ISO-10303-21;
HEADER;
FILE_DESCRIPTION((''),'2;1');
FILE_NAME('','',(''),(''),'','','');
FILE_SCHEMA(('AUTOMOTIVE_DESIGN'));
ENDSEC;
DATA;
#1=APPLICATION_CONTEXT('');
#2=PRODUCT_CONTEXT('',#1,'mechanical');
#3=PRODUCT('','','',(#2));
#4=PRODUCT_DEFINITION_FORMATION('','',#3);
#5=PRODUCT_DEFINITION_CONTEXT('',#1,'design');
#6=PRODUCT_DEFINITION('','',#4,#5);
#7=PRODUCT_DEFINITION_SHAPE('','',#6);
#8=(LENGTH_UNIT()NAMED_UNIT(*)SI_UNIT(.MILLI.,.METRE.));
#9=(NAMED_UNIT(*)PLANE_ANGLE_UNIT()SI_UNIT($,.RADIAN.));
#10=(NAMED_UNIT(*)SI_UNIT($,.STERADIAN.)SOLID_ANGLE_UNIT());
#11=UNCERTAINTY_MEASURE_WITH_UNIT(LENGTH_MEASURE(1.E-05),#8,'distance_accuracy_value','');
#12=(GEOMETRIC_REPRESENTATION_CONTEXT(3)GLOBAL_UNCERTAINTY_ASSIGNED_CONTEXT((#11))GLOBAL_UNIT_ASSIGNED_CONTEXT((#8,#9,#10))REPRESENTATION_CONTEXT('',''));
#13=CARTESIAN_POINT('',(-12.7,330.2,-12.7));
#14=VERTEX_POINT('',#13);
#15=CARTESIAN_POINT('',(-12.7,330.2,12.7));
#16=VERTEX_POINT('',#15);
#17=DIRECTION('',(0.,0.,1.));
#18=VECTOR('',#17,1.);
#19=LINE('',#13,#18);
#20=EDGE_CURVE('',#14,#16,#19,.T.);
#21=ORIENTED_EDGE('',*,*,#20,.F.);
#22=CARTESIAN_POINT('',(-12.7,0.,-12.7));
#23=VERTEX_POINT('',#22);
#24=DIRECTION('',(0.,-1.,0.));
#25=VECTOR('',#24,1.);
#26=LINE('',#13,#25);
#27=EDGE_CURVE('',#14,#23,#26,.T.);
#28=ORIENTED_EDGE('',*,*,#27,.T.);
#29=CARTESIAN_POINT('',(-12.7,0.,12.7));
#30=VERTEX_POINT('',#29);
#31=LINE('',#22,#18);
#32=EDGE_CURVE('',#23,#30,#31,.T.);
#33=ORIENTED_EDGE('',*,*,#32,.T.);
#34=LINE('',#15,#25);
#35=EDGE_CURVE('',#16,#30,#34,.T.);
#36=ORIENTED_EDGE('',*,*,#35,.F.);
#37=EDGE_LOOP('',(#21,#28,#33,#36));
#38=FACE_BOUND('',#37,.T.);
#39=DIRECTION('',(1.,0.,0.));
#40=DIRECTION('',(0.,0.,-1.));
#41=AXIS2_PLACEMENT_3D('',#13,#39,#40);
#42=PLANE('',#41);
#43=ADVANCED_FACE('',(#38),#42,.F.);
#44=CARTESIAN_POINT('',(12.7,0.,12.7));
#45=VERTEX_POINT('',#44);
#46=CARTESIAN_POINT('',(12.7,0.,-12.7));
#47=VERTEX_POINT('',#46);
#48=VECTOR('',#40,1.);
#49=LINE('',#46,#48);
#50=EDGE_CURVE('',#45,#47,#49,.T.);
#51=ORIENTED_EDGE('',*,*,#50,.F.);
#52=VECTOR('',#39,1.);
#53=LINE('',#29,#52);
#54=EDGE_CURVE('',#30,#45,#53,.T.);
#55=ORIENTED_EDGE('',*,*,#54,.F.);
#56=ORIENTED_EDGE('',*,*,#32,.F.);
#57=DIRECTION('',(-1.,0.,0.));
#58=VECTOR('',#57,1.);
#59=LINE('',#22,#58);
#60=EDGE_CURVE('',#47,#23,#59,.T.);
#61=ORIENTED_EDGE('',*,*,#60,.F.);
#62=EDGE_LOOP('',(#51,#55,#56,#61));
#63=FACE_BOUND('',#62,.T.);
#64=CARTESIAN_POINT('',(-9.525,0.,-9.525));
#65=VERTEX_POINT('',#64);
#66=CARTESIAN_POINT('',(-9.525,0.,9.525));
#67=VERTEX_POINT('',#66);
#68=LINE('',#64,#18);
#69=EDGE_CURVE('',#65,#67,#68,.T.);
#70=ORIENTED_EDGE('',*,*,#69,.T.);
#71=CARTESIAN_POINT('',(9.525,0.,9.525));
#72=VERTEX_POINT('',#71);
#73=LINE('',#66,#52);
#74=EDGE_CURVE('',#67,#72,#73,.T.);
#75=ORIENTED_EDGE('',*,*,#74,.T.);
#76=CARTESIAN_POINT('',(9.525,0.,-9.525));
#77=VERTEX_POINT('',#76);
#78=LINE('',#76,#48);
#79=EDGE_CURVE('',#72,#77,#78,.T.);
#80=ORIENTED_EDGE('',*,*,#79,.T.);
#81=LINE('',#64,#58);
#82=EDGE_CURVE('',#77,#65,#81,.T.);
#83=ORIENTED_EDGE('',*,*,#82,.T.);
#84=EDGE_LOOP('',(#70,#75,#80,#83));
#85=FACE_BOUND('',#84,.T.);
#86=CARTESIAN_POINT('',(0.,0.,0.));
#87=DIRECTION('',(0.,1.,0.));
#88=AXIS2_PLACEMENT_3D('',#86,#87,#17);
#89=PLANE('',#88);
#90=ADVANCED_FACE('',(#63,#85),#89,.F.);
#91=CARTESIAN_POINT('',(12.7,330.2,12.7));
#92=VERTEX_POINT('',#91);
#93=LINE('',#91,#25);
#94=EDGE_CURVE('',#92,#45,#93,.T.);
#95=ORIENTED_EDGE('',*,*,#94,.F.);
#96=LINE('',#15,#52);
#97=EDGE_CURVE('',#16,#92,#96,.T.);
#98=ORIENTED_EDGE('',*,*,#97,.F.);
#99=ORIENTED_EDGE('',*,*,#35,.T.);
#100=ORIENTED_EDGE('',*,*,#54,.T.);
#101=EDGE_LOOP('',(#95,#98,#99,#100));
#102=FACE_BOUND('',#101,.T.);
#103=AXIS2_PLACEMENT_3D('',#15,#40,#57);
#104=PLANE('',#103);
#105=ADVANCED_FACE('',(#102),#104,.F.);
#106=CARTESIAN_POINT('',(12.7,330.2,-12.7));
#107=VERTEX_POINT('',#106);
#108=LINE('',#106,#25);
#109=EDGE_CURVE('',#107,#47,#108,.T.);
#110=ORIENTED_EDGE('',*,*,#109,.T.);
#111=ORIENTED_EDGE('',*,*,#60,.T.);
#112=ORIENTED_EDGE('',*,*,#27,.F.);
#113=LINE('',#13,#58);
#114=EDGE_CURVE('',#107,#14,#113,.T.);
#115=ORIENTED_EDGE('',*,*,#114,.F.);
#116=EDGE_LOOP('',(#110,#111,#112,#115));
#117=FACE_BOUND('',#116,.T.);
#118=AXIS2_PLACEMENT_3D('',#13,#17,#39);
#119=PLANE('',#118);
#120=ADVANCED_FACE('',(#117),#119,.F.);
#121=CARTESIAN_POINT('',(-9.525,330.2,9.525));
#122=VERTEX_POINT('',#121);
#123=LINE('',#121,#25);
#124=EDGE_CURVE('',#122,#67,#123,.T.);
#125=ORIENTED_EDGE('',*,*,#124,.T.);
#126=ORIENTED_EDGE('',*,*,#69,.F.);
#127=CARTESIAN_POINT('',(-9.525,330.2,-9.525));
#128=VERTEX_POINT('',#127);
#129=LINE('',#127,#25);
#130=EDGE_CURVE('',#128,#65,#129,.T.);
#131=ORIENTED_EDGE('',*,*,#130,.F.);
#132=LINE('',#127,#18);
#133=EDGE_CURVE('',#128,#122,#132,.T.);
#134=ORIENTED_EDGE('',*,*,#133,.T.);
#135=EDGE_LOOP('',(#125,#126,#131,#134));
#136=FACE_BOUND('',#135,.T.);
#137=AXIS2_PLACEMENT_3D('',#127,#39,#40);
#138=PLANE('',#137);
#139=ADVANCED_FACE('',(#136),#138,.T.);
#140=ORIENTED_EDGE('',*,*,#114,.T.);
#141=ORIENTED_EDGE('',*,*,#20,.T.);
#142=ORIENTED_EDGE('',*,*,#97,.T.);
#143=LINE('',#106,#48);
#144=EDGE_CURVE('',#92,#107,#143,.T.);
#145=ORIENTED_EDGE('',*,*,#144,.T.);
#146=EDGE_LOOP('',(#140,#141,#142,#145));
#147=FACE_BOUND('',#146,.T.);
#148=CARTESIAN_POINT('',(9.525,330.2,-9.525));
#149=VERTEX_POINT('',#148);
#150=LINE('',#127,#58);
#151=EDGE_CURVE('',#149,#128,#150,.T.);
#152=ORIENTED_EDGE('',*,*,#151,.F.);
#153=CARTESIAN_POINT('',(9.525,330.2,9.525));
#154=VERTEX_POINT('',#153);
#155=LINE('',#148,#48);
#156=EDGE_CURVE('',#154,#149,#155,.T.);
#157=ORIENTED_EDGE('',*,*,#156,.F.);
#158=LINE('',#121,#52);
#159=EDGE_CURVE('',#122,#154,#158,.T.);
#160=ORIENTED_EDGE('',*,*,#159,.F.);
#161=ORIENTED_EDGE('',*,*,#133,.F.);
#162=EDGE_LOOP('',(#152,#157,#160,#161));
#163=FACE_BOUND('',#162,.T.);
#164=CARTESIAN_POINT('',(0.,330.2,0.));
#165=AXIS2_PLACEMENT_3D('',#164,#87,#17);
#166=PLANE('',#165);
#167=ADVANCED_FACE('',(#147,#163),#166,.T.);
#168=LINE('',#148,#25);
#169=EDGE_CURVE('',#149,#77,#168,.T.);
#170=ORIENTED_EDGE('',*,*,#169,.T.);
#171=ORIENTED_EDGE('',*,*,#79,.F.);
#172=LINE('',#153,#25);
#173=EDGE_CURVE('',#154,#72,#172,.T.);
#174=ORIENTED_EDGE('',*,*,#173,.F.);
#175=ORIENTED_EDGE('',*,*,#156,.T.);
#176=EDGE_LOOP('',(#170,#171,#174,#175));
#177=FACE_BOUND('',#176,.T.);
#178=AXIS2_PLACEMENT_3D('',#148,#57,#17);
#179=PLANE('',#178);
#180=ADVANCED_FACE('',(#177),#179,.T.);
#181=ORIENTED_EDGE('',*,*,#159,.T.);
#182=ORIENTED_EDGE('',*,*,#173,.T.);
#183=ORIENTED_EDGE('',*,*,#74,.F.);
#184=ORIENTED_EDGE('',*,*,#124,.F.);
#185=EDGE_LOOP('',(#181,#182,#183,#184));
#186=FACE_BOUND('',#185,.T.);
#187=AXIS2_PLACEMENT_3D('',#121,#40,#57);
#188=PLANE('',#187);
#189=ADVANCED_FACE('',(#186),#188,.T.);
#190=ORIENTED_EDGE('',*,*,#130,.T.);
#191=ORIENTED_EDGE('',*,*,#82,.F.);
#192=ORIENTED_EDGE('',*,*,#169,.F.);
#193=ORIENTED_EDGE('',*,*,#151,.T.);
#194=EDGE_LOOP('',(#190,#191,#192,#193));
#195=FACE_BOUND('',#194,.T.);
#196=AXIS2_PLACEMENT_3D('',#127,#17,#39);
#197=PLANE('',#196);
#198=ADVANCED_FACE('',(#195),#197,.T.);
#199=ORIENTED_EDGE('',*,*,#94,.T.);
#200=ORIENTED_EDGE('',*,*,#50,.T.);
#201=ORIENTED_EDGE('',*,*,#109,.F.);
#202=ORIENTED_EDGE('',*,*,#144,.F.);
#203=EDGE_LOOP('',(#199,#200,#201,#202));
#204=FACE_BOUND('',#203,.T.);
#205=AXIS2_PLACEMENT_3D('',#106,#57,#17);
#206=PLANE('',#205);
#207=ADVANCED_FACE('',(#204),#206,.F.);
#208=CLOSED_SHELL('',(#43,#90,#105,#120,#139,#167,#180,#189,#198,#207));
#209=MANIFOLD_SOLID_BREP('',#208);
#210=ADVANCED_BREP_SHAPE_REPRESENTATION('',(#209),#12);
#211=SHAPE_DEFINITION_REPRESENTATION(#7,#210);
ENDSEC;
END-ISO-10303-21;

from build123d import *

# Parameters (mm, degrees)
SKETCH1_W           = 25.4
SKETCH1_H           = 25.4
SKETCH1_W_2         = 19.05
SKETCH1_H_2         = 19.05
BOSS_EXTRUDE1_DEPTH = 330.2


with BuildPart() as part:
    # Sketch1 → Boss-Extrude1 (new body)
    with BuildSketch(Plane(origin=(0, 0, 0), x_dir=(1, 0, 0), z_dir=(0, 1, 0))):
        Rectangle(SKETCH1_W, SKETCH1_H)
        Rectangle(SKETCH1_W_2, SKETCH1_H_2, mode=Mode.SUBTRACT)
    extrude(amount=BOSS_EXTRUDE1_DEPTH)


solid = part.part
